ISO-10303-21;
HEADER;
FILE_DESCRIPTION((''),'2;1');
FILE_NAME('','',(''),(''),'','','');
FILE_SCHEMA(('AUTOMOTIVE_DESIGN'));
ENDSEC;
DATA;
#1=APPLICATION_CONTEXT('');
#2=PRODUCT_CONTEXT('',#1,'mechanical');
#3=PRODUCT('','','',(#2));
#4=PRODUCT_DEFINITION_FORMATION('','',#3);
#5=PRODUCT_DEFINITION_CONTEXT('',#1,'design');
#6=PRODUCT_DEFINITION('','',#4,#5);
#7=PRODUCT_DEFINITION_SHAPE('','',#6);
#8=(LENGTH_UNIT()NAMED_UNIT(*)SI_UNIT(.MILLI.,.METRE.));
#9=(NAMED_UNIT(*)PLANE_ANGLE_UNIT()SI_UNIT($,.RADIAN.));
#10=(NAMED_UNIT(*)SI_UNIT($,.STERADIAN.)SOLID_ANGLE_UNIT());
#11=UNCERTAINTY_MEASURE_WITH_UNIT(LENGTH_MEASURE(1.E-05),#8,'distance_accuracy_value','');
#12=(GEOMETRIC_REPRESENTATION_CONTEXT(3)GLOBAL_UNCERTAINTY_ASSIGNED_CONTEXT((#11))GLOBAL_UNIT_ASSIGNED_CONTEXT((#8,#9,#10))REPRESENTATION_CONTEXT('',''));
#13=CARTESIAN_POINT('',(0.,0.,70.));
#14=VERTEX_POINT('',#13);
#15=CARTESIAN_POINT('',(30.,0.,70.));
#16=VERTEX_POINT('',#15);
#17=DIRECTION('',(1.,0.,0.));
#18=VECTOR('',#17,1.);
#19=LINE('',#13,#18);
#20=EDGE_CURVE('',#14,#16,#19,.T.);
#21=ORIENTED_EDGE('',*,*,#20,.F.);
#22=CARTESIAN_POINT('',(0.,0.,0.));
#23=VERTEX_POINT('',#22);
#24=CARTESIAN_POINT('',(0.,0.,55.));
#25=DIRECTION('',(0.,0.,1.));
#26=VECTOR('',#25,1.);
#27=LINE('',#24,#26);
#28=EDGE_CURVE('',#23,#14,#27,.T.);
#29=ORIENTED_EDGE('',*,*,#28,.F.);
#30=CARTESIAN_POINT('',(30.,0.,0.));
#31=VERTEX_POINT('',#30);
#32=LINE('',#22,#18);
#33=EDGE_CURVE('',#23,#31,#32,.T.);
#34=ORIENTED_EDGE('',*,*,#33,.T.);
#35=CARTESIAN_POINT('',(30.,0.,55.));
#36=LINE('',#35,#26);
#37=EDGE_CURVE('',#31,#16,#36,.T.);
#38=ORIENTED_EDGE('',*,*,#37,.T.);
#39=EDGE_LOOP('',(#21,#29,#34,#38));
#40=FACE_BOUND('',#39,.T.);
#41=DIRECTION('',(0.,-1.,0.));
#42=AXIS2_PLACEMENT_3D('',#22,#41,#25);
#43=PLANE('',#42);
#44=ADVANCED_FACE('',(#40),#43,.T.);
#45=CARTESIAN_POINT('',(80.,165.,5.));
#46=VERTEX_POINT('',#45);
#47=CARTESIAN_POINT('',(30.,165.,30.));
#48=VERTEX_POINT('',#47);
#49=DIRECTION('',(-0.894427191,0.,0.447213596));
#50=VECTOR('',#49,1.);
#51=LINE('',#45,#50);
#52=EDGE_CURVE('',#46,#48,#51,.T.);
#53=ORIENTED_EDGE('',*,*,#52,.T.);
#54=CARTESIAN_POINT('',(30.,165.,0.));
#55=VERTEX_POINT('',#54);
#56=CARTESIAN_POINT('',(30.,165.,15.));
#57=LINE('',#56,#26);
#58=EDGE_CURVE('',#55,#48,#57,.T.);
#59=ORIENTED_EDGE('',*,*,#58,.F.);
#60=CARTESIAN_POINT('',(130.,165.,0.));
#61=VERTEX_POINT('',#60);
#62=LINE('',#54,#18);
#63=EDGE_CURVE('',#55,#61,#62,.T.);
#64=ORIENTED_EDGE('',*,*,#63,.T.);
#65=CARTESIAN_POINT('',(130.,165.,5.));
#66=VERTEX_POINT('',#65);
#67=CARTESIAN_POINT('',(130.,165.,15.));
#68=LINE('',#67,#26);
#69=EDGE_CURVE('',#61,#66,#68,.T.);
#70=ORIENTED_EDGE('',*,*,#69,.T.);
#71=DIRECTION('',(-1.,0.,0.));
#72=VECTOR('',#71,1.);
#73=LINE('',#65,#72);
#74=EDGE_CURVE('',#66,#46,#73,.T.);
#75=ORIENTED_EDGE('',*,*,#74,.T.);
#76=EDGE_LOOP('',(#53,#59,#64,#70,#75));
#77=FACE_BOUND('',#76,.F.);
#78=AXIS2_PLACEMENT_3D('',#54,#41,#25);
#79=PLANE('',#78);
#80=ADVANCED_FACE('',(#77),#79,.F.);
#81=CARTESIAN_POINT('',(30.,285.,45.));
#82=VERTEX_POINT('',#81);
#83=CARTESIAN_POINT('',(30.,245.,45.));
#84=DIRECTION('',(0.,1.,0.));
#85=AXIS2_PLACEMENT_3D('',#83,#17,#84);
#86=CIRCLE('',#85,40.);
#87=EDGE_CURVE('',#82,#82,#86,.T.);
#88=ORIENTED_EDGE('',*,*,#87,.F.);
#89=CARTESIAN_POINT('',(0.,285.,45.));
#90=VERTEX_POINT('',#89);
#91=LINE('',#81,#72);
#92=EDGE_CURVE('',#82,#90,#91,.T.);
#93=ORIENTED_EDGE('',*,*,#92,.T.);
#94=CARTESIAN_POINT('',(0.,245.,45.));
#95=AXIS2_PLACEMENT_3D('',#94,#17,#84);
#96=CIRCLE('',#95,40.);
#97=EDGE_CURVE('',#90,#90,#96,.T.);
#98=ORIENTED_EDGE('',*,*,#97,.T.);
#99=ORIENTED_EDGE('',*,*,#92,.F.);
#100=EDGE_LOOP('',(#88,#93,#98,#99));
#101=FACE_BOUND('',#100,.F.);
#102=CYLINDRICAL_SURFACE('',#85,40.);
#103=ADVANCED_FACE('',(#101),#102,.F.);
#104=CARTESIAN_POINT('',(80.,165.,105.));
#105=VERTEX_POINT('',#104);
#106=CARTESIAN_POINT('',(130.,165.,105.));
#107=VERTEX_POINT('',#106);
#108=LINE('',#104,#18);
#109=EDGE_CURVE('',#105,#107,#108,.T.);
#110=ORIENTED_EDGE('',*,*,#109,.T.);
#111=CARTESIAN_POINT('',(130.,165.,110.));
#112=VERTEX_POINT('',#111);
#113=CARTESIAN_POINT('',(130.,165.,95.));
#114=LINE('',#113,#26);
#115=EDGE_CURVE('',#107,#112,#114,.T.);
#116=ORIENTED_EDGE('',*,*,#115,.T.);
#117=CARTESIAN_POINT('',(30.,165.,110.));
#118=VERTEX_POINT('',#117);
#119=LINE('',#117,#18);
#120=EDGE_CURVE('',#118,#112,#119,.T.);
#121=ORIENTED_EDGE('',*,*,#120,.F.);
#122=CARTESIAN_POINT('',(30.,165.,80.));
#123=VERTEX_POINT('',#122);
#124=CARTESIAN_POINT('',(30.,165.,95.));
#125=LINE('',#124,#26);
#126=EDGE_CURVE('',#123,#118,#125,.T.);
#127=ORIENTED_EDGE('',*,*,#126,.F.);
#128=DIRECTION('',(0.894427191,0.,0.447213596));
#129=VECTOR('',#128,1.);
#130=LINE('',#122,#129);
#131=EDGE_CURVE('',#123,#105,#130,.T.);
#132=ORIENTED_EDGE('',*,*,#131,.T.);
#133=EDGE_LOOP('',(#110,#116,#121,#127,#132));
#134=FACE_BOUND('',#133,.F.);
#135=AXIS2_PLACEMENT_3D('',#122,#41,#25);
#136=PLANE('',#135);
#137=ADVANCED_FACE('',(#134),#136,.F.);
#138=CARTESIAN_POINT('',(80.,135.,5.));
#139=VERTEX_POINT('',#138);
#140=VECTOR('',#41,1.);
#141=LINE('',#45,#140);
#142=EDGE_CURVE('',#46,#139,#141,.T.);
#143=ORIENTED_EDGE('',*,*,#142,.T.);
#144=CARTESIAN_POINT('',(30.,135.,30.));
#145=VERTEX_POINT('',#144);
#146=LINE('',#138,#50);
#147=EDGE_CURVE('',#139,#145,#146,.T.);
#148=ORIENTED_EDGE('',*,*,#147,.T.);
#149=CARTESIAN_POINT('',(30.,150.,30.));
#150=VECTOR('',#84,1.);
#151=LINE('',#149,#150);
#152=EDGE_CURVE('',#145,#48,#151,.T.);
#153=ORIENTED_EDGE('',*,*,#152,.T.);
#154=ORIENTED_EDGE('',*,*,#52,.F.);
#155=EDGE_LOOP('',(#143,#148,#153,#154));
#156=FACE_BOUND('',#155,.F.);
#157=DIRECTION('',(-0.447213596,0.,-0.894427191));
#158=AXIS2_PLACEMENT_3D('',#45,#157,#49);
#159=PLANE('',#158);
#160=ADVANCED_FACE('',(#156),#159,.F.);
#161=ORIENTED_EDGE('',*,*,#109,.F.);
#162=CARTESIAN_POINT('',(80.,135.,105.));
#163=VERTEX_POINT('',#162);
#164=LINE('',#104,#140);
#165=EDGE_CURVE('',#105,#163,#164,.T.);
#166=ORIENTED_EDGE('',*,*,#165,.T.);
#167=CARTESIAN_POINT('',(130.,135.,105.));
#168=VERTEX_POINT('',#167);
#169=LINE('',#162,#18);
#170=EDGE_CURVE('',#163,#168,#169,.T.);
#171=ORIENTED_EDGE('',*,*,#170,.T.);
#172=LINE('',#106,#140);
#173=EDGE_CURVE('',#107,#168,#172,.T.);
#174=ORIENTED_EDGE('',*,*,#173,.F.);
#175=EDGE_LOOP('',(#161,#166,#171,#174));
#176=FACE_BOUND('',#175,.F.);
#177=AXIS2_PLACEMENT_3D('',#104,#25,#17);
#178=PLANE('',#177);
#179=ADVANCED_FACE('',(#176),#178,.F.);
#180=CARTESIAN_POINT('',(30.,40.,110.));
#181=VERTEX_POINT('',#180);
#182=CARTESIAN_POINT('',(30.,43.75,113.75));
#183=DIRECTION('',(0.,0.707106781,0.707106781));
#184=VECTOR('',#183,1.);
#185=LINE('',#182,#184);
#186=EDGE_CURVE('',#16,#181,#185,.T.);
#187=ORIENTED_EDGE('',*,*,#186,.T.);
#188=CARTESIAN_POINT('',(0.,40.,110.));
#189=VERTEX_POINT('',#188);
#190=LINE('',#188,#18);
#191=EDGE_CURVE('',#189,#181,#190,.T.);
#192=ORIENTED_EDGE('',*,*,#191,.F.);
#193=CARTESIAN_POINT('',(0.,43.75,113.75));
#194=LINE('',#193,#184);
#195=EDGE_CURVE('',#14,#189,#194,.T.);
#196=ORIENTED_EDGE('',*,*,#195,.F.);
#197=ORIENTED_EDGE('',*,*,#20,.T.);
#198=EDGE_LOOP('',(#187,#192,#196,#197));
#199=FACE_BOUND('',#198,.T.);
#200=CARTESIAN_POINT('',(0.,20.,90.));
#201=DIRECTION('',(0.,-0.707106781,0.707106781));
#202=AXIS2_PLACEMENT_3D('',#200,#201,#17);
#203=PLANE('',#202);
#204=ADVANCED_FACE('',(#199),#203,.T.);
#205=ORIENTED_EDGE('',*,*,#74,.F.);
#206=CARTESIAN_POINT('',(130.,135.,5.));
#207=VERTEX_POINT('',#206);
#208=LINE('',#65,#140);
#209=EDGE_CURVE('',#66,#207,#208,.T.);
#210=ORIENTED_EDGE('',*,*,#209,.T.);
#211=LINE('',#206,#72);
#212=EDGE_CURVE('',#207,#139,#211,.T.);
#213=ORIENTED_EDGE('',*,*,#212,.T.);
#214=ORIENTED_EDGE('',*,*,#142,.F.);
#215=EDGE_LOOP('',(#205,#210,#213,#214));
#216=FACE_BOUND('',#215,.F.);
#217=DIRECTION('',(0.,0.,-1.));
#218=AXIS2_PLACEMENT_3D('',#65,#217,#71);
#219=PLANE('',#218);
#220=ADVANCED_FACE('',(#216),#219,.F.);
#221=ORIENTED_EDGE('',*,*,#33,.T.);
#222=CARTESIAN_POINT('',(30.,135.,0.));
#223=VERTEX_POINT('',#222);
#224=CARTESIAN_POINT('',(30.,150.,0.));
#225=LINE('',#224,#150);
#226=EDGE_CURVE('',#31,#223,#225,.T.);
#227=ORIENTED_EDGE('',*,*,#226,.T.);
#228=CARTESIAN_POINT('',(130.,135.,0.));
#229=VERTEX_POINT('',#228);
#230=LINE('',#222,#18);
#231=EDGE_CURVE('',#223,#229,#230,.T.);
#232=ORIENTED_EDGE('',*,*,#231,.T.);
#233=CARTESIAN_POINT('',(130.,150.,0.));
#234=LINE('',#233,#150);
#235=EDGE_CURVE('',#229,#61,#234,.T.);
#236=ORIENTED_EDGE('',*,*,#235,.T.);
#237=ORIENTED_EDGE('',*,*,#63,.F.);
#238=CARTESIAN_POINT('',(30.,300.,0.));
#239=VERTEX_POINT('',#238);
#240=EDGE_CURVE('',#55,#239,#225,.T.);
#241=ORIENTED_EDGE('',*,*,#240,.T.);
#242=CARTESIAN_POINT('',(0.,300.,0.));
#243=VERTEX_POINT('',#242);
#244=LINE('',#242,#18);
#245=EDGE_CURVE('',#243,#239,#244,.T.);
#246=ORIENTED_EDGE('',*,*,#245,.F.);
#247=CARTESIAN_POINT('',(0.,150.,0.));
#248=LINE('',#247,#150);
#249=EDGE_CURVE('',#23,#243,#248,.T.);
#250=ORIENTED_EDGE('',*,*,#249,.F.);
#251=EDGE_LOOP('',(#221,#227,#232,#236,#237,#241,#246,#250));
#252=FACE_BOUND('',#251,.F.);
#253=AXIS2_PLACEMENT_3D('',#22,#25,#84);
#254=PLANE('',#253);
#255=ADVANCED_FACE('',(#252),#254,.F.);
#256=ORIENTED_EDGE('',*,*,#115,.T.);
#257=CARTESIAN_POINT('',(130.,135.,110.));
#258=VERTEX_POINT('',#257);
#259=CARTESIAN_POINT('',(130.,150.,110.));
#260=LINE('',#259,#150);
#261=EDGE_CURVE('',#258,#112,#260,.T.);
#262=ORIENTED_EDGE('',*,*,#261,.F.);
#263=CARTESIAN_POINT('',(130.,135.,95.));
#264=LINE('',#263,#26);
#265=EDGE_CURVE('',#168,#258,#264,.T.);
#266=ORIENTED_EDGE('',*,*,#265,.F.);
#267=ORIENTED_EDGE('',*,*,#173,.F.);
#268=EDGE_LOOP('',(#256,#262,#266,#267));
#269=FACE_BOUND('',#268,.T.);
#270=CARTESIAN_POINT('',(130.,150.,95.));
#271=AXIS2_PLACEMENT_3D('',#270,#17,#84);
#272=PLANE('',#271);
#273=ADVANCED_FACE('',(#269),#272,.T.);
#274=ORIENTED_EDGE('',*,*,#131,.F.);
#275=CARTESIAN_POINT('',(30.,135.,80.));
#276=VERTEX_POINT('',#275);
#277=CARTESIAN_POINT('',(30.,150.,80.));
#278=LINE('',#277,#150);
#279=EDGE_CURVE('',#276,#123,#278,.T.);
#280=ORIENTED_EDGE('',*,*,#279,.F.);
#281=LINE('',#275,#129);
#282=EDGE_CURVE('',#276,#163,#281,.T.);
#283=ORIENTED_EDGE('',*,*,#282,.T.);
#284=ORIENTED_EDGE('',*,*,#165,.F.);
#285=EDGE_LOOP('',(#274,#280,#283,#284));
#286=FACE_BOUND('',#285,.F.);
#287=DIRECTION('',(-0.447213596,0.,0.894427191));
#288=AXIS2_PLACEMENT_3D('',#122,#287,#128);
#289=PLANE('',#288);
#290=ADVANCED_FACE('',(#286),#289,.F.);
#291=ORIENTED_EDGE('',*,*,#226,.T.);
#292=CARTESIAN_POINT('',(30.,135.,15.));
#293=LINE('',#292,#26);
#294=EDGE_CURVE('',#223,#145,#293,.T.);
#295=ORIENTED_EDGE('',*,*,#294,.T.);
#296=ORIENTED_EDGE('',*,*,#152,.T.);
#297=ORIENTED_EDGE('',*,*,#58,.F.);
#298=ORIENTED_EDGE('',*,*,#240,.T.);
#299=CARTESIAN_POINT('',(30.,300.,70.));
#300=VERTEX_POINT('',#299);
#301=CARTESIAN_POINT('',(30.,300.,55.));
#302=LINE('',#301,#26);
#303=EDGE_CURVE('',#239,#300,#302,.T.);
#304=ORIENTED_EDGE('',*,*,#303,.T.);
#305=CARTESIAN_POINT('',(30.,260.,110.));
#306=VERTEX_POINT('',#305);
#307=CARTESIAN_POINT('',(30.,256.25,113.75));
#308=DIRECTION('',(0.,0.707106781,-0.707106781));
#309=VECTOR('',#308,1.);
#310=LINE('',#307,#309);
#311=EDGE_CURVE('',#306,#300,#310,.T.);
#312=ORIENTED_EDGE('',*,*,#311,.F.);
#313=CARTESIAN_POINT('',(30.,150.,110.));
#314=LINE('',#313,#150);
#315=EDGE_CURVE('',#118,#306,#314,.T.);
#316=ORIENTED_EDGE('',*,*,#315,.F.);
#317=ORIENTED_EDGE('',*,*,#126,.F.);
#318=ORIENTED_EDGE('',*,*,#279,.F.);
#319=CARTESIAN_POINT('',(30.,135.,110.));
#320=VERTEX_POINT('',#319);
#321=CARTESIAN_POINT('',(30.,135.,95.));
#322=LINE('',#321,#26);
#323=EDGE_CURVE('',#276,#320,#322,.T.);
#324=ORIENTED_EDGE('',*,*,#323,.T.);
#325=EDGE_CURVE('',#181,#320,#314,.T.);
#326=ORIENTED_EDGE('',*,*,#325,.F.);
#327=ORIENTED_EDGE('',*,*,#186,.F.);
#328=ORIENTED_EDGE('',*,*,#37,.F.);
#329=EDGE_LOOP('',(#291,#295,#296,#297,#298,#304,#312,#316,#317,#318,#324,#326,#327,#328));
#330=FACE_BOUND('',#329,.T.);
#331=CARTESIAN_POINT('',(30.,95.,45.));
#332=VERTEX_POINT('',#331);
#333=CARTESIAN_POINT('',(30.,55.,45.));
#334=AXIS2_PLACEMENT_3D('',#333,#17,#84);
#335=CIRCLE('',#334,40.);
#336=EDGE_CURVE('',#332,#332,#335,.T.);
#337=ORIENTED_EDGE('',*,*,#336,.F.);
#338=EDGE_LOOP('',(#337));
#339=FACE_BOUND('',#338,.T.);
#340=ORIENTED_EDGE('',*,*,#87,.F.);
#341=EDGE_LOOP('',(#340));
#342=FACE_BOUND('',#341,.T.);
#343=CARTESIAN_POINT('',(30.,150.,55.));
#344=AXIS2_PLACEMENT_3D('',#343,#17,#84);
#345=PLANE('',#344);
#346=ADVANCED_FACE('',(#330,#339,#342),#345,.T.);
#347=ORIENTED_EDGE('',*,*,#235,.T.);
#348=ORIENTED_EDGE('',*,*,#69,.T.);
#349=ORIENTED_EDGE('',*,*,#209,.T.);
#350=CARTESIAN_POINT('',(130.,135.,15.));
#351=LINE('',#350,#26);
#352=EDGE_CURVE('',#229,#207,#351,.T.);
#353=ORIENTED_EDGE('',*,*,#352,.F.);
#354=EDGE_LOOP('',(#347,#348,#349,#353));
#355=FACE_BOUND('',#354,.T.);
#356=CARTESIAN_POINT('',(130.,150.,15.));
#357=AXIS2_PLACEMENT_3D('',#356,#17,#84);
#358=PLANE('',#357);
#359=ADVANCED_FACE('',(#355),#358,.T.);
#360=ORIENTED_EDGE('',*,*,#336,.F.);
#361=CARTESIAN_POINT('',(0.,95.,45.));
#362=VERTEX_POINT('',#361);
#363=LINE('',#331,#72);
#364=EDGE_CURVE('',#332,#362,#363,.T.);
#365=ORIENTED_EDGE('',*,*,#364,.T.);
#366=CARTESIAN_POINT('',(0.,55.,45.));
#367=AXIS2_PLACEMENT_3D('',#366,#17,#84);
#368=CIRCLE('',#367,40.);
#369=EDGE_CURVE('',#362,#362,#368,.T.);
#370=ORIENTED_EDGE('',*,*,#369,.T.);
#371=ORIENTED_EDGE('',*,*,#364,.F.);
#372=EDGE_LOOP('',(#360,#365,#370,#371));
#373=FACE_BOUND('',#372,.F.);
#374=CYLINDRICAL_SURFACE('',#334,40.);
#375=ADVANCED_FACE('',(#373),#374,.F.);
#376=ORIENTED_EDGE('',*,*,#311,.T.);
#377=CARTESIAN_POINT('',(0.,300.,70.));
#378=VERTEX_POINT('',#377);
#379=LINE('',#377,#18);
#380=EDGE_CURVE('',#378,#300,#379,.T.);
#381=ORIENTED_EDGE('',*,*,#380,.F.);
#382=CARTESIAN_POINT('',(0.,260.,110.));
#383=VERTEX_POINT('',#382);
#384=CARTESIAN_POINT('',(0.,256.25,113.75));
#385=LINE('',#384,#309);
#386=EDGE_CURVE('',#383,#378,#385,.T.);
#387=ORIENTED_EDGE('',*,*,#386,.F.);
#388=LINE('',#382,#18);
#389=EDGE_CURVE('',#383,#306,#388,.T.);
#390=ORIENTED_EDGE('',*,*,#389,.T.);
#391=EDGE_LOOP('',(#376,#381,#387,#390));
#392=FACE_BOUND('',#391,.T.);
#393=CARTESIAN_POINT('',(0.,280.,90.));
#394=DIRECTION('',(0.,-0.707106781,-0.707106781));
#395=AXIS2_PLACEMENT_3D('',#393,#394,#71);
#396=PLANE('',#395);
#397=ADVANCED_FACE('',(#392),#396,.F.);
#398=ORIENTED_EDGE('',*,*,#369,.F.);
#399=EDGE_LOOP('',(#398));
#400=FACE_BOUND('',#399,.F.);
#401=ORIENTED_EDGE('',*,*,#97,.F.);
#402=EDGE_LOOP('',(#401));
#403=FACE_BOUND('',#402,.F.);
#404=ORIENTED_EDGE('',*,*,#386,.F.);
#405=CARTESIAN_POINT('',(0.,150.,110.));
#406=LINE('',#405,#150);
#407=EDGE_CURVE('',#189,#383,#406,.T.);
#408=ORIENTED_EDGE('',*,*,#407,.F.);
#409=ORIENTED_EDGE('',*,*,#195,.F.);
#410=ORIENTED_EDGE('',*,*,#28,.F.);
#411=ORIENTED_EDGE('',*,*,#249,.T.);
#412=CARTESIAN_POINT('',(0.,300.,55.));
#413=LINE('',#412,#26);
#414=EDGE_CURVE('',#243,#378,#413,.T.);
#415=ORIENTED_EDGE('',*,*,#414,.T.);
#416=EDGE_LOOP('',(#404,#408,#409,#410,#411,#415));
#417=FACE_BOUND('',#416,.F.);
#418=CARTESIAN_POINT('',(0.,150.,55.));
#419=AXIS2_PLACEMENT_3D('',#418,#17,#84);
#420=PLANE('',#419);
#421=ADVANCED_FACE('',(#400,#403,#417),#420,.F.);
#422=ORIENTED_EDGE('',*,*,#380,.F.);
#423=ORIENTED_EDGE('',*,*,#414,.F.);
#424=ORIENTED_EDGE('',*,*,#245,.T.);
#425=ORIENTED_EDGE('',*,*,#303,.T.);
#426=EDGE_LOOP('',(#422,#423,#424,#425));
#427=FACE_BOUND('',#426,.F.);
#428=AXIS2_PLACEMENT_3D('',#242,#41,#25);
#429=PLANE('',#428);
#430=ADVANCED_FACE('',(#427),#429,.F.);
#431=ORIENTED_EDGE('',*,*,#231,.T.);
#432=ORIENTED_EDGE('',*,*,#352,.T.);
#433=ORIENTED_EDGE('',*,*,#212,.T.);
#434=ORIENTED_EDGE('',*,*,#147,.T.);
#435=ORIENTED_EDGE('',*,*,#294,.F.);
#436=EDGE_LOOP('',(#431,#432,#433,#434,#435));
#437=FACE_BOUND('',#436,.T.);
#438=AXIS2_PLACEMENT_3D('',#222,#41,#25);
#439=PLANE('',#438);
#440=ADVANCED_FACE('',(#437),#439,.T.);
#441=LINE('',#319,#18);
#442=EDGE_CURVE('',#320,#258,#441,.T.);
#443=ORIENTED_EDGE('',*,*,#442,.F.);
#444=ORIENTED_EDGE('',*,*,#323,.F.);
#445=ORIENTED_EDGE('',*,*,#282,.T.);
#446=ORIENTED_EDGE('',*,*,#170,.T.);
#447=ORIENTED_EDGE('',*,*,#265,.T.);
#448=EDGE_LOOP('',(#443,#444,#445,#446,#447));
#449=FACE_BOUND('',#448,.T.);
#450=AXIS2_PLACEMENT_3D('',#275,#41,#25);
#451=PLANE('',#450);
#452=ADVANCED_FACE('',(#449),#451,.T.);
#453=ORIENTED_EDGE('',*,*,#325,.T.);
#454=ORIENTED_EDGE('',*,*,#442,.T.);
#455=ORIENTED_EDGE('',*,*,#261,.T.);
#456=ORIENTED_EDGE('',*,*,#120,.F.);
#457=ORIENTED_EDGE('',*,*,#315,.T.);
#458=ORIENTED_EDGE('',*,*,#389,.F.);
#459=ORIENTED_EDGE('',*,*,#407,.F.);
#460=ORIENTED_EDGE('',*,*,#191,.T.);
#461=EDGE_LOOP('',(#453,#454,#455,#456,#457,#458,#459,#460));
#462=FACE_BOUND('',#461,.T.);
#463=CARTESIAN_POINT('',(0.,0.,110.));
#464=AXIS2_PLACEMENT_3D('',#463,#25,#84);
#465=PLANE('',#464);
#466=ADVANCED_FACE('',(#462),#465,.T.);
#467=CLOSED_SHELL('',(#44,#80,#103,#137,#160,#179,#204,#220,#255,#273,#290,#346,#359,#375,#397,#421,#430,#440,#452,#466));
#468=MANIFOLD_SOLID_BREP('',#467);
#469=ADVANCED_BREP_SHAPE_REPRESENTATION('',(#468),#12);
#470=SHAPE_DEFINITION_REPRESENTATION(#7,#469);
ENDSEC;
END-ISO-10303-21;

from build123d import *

# Parameters (mm, degrees)
F0_W     = 300
F0_H     = 110
F1_DEPTH = 30
F2_R     = 40
F3_DEPTH = 30
F4_W     = 30
F4_H     = 30
F5_DEPTH = 100
F7_DEPTH = 30
F8_SIZE  = 40


with BuildPart() as f1:
    # F0 (on Right) → F1 (new body)
    with BuildSketch(Plane.YZ):
        with Locations((150, 55)):
            Rectangle(F0_W, F0_H)
    extrude(amount=F1_DEPTH)

    # F2 (on face) → F3 (cut, through all)
    with BuildSketch(Plane.YZ.offset(30)):
        with Locations((55, 45)):
            Circle(F2_R)
        with Locations((245, 45)):
            Circle(F2_R)
    extrude(amount=-F3_DEPTH, mode=Mode.SUBTRACT)

    # F4 (on face) → F5 (join)
    with BuildSketch(Plane.YZ.offset(30)):
        with Locations((150, 95)):
            Rectangle(F4_W, F4_H)
        with Locations((150, 15)):
            Rectangle(F4_W, F4_H)
    extrude(amount=F5_DEPTH)

    # F6 (on face) → F7 (cut, through all)
    with BuildSketch(Plane(origin=(0, 165, 0), x_dir=(-1, 0, 0), z_dir=(0, 1, 0))):
        Polygon((-80, 105), (-130, 105), (-130, 80), (-30, 80), align=None)
        Polygon((-30, 30), (-130, 30), (-130, 5), (-80, 5), align=None)
    extrude(amount=-F7_DEPTH, mode=Mode.SUBTRACT)

    # F8
    f8_edges = [f1.edges().sort_by_distance(p)[0] for p in [
        (15, 0, 110),
        (15, 300, 110),
    ]]
    chamfer(f8_edges, length=F8_SIZE)


solid = f1.part
